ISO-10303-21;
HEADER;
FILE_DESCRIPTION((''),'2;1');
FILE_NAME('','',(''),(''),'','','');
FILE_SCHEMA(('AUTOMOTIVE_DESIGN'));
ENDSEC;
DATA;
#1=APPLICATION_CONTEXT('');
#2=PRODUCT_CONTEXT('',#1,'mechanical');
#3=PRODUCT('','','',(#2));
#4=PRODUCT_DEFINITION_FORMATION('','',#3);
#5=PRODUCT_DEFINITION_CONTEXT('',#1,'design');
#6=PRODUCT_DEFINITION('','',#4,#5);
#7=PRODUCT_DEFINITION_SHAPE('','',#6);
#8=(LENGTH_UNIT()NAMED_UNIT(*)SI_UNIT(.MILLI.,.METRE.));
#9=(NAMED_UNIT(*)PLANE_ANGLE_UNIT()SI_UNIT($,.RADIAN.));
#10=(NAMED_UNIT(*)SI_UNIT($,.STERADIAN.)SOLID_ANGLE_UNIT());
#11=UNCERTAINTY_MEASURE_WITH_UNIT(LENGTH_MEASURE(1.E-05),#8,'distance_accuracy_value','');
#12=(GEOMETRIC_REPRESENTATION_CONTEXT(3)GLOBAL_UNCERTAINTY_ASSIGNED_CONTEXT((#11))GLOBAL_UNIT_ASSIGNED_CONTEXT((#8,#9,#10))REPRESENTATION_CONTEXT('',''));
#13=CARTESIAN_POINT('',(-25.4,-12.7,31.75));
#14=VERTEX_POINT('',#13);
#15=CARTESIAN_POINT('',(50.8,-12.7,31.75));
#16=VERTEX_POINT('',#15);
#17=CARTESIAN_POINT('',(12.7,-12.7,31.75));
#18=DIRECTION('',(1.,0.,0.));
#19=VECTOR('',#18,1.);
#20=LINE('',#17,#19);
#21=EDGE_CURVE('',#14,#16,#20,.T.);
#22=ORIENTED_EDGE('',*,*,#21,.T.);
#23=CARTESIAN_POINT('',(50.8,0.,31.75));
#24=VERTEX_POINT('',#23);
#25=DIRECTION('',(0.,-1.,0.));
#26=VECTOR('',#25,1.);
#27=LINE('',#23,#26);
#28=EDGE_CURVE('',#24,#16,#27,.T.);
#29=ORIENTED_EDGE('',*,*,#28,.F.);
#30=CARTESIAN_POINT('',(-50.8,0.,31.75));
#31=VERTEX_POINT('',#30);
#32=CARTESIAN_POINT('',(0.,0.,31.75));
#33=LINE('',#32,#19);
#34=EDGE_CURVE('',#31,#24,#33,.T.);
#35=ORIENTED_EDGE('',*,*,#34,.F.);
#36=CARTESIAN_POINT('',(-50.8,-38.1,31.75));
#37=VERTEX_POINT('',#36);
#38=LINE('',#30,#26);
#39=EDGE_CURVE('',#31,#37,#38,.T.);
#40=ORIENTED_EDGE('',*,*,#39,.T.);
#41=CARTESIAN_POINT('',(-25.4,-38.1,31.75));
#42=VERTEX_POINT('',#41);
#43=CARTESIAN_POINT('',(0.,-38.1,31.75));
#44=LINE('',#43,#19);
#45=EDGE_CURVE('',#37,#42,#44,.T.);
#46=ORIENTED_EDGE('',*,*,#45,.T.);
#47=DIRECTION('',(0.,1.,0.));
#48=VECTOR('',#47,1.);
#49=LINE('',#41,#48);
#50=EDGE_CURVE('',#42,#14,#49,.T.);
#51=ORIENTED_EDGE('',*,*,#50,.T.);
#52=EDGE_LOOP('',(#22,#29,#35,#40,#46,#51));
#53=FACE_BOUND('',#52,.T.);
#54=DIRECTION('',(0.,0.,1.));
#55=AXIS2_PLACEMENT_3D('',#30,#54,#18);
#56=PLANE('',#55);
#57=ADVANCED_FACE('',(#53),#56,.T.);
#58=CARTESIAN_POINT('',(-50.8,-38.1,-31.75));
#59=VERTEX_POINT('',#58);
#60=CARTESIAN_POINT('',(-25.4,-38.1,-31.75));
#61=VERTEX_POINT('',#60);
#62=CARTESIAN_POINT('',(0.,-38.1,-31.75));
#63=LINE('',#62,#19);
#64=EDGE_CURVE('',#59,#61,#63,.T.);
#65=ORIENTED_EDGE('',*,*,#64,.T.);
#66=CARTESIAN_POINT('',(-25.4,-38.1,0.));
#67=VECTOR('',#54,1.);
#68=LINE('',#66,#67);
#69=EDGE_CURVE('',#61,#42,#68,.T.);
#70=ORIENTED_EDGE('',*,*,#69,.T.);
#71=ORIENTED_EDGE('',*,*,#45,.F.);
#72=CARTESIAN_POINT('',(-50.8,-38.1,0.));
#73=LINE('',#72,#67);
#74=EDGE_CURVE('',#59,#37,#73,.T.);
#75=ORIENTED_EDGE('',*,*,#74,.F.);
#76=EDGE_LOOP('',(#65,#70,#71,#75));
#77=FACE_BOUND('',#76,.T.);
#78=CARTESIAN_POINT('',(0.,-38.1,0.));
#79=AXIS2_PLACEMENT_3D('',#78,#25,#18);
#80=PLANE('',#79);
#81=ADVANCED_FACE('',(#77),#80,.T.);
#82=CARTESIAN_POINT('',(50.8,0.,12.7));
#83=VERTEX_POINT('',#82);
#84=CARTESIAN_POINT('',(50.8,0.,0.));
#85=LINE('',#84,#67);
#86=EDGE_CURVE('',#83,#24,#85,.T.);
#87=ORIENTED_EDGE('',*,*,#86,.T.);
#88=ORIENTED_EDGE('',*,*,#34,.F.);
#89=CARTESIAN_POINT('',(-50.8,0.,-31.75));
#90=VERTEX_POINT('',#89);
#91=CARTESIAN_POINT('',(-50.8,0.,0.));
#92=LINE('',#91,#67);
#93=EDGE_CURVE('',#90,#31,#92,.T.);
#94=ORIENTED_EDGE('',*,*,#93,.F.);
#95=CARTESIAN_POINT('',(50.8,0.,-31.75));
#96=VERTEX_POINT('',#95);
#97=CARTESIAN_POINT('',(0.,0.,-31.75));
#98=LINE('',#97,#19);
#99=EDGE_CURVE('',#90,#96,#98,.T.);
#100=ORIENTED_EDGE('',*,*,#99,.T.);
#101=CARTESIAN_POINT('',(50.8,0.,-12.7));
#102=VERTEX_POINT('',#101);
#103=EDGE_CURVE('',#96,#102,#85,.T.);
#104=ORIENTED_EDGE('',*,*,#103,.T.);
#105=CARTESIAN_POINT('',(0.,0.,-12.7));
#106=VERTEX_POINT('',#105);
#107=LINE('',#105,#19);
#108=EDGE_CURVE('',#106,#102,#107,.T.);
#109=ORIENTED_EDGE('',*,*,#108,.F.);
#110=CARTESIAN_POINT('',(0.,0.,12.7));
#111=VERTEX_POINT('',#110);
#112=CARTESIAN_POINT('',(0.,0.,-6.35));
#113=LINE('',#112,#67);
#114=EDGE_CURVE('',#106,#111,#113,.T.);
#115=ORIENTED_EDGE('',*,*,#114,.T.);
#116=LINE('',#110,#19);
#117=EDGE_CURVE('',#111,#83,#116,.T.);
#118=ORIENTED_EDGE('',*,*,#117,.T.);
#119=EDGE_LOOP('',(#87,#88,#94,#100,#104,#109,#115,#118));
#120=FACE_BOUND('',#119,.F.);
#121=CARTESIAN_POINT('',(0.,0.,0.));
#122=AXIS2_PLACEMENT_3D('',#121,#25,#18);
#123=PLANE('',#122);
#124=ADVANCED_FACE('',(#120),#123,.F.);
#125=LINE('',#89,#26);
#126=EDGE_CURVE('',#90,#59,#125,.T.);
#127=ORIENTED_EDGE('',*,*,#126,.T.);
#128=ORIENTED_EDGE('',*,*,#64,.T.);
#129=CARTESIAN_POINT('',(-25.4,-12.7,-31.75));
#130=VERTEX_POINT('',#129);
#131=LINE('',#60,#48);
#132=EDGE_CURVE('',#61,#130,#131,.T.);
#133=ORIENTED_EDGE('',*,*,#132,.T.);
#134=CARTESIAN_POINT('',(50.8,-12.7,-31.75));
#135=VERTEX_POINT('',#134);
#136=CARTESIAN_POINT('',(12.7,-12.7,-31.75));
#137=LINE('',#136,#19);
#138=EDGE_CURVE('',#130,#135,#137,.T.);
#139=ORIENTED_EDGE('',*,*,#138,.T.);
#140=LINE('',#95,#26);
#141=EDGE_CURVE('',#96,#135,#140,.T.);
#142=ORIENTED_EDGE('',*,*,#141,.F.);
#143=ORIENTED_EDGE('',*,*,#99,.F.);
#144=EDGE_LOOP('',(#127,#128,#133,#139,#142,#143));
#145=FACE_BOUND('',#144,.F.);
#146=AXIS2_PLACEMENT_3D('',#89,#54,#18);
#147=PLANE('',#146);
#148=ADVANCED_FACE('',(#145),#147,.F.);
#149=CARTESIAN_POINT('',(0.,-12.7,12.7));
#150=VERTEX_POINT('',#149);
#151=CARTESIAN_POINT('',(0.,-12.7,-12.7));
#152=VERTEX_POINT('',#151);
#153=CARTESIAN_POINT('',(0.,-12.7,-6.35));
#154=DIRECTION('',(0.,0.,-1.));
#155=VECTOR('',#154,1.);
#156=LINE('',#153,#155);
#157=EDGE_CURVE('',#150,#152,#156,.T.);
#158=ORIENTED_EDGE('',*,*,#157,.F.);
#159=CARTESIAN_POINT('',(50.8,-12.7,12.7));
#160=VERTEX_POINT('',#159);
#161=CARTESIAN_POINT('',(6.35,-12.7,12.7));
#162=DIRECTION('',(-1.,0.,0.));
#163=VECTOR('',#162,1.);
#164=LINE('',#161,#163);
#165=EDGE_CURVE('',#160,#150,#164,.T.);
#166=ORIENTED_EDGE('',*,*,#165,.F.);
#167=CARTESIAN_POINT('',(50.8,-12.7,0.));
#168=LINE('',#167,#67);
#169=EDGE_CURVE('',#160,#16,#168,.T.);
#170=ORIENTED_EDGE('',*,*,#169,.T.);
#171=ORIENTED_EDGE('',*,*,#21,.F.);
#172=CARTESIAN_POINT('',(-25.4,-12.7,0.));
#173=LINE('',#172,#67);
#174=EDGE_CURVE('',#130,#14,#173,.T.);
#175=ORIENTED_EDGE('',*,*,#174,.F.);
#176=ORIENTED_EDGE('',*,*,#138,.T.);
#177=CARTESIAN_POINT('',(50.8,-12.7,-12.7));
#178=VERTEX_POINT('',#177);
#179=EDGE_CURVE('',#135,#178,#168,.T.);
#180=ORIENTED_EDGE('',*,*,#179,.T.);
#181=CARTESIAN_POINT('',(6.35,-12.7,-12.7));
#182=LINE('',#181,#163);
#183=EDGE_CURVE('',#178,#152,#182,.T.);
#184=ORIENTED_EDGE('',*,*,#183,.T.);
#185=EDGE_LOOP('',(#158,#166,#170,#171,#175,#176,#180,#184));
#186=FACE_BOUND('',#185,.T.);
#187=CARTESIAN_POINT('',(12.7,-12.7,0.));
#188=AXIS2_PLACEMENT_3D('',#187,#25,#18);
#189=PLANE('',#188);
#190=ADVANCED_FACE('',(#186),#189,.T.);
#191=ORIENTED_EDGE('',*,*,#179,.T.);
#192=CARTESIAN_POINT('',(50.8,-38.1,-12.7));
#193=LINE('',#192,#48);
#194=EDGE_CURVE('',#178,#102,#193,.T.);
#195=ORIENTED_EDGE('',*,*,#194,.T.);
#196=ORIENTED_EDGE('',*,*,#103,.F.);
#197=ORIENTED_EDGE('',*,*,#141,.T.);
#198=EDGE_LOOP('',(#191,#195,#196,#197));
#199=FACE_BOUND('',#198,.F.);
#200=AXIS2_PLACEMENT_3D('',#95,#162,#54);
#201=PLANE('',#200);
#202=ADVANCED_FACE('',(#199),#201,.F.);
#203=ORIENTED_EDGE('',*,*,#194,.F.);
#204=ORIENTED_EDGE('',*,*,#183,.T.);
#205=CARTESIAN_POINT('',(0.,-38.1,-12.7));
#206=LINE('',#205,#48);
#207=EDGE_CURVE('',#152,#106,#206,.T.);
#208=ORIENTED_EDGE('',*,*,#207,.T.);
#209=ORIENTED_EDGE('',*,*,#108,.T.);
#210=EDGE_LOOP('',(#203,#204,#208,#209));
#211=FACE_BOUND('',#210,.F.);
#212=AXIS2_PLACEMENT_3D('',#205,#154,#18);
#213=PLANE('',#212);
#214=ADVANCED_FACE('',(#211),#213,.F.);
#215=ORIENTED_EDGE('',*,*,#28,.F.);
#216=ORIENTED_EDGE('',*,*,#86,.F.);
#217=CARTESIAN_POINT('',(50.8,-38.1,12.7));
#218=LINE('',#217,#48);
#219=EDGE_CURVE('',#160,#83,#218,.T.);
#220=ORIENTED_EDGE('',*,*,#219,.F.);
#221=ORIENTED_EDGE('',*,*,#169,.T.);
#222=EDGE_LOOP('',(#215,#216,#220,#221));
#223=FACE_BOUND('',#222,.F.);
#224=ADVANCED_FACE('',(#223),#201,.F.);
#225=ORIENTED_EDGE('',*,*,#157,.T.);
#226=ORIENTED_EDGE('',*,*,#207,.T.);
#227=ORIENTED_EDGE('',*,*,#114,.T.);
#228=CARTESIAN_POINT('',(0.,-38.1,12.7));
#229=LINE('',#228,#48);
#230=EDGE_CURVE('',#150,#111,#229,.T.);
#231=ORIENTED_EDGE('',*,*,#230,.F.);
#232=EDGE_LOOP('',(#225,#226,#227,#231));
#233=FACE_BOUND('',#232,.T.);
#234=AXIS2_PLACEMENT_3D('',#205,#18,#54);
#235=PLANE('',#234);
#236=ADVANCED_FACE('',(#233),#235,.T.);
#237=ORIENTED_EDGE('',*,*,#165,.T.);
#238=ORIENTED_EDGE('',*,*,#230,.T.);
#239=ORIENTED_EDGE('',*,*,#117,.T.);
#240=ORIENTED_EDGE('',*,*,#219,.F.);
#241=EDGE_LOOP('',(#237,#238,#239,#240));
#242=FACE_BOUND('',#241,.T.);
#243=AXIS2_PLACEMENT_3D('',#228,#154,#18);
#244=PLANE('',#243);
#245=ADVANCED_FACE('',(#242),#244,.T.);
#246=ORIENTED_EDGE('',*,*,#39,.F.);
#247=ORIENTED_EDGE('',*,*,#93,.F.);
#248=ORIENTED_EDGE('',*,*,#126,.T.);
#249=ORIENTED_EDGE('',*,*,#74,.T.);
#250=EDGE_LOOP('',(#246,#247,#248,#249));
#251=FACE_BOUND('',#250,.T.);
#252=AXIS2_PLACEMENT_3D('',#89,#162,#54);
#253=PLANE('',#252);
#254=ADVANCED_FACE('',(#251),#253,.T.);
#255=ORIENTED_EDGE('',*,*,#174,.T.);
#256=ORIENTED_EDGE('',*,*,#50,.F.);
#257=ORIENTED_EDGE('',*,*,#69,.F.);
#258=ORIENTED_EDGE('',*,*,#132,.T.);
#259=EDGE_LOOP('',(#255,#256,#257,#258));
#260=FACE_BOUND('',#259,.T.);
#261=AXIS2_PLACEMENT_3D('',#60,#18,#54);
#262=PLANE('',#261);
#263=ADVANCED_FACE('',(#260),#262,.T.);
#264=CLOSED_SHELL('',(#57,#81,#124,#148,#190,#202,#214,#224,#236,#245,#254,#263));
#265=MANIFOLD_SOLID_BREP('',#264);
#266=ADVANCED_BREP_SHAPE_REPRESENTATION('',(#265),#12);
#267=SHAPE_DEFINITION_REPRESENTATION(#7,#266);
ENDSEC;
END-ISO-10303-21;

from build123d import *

# Parameters (mm, degrees)
F0_W     = 101.6
F0_H     = 63.5
F1_DEPTH = 38.1
F2_W     = 50.8
F2_H     = 25.4
F3_DEPTH = 38.101
F4_W     = 76.2
F4_H     = 63.5
F5_DEPTH = 25.4


with BuildPart() as f1:
    # F0 (on Front) → F1 (new body)
    with BuildSketch(Plane.XZ):
        Rectangle(F0_W, F0_H)
    extrude(amount=F1_DEPTH)

    # F2 (on face) → F3 (cut, through all)
    with BuildSketch(Plane.XZ.offset(38.1)):
        with Locations((25.4, 0)):
            Rectangle(F2_W, F2_H)
    extrude(amount=-F3_DEPTH, mode=Mode.SUBTRACT)

    # F4 (on face) → F5 (cut)
    with BuildSketch(Plane.XZ.offset(38.1)):
        with Locations((12.7, 0)):
            Rectangle(F4_W, F4_H)
    extrude(amount=-F5_DEPTH, mode=Mode.SUBTRACT)


solid = f1.part
